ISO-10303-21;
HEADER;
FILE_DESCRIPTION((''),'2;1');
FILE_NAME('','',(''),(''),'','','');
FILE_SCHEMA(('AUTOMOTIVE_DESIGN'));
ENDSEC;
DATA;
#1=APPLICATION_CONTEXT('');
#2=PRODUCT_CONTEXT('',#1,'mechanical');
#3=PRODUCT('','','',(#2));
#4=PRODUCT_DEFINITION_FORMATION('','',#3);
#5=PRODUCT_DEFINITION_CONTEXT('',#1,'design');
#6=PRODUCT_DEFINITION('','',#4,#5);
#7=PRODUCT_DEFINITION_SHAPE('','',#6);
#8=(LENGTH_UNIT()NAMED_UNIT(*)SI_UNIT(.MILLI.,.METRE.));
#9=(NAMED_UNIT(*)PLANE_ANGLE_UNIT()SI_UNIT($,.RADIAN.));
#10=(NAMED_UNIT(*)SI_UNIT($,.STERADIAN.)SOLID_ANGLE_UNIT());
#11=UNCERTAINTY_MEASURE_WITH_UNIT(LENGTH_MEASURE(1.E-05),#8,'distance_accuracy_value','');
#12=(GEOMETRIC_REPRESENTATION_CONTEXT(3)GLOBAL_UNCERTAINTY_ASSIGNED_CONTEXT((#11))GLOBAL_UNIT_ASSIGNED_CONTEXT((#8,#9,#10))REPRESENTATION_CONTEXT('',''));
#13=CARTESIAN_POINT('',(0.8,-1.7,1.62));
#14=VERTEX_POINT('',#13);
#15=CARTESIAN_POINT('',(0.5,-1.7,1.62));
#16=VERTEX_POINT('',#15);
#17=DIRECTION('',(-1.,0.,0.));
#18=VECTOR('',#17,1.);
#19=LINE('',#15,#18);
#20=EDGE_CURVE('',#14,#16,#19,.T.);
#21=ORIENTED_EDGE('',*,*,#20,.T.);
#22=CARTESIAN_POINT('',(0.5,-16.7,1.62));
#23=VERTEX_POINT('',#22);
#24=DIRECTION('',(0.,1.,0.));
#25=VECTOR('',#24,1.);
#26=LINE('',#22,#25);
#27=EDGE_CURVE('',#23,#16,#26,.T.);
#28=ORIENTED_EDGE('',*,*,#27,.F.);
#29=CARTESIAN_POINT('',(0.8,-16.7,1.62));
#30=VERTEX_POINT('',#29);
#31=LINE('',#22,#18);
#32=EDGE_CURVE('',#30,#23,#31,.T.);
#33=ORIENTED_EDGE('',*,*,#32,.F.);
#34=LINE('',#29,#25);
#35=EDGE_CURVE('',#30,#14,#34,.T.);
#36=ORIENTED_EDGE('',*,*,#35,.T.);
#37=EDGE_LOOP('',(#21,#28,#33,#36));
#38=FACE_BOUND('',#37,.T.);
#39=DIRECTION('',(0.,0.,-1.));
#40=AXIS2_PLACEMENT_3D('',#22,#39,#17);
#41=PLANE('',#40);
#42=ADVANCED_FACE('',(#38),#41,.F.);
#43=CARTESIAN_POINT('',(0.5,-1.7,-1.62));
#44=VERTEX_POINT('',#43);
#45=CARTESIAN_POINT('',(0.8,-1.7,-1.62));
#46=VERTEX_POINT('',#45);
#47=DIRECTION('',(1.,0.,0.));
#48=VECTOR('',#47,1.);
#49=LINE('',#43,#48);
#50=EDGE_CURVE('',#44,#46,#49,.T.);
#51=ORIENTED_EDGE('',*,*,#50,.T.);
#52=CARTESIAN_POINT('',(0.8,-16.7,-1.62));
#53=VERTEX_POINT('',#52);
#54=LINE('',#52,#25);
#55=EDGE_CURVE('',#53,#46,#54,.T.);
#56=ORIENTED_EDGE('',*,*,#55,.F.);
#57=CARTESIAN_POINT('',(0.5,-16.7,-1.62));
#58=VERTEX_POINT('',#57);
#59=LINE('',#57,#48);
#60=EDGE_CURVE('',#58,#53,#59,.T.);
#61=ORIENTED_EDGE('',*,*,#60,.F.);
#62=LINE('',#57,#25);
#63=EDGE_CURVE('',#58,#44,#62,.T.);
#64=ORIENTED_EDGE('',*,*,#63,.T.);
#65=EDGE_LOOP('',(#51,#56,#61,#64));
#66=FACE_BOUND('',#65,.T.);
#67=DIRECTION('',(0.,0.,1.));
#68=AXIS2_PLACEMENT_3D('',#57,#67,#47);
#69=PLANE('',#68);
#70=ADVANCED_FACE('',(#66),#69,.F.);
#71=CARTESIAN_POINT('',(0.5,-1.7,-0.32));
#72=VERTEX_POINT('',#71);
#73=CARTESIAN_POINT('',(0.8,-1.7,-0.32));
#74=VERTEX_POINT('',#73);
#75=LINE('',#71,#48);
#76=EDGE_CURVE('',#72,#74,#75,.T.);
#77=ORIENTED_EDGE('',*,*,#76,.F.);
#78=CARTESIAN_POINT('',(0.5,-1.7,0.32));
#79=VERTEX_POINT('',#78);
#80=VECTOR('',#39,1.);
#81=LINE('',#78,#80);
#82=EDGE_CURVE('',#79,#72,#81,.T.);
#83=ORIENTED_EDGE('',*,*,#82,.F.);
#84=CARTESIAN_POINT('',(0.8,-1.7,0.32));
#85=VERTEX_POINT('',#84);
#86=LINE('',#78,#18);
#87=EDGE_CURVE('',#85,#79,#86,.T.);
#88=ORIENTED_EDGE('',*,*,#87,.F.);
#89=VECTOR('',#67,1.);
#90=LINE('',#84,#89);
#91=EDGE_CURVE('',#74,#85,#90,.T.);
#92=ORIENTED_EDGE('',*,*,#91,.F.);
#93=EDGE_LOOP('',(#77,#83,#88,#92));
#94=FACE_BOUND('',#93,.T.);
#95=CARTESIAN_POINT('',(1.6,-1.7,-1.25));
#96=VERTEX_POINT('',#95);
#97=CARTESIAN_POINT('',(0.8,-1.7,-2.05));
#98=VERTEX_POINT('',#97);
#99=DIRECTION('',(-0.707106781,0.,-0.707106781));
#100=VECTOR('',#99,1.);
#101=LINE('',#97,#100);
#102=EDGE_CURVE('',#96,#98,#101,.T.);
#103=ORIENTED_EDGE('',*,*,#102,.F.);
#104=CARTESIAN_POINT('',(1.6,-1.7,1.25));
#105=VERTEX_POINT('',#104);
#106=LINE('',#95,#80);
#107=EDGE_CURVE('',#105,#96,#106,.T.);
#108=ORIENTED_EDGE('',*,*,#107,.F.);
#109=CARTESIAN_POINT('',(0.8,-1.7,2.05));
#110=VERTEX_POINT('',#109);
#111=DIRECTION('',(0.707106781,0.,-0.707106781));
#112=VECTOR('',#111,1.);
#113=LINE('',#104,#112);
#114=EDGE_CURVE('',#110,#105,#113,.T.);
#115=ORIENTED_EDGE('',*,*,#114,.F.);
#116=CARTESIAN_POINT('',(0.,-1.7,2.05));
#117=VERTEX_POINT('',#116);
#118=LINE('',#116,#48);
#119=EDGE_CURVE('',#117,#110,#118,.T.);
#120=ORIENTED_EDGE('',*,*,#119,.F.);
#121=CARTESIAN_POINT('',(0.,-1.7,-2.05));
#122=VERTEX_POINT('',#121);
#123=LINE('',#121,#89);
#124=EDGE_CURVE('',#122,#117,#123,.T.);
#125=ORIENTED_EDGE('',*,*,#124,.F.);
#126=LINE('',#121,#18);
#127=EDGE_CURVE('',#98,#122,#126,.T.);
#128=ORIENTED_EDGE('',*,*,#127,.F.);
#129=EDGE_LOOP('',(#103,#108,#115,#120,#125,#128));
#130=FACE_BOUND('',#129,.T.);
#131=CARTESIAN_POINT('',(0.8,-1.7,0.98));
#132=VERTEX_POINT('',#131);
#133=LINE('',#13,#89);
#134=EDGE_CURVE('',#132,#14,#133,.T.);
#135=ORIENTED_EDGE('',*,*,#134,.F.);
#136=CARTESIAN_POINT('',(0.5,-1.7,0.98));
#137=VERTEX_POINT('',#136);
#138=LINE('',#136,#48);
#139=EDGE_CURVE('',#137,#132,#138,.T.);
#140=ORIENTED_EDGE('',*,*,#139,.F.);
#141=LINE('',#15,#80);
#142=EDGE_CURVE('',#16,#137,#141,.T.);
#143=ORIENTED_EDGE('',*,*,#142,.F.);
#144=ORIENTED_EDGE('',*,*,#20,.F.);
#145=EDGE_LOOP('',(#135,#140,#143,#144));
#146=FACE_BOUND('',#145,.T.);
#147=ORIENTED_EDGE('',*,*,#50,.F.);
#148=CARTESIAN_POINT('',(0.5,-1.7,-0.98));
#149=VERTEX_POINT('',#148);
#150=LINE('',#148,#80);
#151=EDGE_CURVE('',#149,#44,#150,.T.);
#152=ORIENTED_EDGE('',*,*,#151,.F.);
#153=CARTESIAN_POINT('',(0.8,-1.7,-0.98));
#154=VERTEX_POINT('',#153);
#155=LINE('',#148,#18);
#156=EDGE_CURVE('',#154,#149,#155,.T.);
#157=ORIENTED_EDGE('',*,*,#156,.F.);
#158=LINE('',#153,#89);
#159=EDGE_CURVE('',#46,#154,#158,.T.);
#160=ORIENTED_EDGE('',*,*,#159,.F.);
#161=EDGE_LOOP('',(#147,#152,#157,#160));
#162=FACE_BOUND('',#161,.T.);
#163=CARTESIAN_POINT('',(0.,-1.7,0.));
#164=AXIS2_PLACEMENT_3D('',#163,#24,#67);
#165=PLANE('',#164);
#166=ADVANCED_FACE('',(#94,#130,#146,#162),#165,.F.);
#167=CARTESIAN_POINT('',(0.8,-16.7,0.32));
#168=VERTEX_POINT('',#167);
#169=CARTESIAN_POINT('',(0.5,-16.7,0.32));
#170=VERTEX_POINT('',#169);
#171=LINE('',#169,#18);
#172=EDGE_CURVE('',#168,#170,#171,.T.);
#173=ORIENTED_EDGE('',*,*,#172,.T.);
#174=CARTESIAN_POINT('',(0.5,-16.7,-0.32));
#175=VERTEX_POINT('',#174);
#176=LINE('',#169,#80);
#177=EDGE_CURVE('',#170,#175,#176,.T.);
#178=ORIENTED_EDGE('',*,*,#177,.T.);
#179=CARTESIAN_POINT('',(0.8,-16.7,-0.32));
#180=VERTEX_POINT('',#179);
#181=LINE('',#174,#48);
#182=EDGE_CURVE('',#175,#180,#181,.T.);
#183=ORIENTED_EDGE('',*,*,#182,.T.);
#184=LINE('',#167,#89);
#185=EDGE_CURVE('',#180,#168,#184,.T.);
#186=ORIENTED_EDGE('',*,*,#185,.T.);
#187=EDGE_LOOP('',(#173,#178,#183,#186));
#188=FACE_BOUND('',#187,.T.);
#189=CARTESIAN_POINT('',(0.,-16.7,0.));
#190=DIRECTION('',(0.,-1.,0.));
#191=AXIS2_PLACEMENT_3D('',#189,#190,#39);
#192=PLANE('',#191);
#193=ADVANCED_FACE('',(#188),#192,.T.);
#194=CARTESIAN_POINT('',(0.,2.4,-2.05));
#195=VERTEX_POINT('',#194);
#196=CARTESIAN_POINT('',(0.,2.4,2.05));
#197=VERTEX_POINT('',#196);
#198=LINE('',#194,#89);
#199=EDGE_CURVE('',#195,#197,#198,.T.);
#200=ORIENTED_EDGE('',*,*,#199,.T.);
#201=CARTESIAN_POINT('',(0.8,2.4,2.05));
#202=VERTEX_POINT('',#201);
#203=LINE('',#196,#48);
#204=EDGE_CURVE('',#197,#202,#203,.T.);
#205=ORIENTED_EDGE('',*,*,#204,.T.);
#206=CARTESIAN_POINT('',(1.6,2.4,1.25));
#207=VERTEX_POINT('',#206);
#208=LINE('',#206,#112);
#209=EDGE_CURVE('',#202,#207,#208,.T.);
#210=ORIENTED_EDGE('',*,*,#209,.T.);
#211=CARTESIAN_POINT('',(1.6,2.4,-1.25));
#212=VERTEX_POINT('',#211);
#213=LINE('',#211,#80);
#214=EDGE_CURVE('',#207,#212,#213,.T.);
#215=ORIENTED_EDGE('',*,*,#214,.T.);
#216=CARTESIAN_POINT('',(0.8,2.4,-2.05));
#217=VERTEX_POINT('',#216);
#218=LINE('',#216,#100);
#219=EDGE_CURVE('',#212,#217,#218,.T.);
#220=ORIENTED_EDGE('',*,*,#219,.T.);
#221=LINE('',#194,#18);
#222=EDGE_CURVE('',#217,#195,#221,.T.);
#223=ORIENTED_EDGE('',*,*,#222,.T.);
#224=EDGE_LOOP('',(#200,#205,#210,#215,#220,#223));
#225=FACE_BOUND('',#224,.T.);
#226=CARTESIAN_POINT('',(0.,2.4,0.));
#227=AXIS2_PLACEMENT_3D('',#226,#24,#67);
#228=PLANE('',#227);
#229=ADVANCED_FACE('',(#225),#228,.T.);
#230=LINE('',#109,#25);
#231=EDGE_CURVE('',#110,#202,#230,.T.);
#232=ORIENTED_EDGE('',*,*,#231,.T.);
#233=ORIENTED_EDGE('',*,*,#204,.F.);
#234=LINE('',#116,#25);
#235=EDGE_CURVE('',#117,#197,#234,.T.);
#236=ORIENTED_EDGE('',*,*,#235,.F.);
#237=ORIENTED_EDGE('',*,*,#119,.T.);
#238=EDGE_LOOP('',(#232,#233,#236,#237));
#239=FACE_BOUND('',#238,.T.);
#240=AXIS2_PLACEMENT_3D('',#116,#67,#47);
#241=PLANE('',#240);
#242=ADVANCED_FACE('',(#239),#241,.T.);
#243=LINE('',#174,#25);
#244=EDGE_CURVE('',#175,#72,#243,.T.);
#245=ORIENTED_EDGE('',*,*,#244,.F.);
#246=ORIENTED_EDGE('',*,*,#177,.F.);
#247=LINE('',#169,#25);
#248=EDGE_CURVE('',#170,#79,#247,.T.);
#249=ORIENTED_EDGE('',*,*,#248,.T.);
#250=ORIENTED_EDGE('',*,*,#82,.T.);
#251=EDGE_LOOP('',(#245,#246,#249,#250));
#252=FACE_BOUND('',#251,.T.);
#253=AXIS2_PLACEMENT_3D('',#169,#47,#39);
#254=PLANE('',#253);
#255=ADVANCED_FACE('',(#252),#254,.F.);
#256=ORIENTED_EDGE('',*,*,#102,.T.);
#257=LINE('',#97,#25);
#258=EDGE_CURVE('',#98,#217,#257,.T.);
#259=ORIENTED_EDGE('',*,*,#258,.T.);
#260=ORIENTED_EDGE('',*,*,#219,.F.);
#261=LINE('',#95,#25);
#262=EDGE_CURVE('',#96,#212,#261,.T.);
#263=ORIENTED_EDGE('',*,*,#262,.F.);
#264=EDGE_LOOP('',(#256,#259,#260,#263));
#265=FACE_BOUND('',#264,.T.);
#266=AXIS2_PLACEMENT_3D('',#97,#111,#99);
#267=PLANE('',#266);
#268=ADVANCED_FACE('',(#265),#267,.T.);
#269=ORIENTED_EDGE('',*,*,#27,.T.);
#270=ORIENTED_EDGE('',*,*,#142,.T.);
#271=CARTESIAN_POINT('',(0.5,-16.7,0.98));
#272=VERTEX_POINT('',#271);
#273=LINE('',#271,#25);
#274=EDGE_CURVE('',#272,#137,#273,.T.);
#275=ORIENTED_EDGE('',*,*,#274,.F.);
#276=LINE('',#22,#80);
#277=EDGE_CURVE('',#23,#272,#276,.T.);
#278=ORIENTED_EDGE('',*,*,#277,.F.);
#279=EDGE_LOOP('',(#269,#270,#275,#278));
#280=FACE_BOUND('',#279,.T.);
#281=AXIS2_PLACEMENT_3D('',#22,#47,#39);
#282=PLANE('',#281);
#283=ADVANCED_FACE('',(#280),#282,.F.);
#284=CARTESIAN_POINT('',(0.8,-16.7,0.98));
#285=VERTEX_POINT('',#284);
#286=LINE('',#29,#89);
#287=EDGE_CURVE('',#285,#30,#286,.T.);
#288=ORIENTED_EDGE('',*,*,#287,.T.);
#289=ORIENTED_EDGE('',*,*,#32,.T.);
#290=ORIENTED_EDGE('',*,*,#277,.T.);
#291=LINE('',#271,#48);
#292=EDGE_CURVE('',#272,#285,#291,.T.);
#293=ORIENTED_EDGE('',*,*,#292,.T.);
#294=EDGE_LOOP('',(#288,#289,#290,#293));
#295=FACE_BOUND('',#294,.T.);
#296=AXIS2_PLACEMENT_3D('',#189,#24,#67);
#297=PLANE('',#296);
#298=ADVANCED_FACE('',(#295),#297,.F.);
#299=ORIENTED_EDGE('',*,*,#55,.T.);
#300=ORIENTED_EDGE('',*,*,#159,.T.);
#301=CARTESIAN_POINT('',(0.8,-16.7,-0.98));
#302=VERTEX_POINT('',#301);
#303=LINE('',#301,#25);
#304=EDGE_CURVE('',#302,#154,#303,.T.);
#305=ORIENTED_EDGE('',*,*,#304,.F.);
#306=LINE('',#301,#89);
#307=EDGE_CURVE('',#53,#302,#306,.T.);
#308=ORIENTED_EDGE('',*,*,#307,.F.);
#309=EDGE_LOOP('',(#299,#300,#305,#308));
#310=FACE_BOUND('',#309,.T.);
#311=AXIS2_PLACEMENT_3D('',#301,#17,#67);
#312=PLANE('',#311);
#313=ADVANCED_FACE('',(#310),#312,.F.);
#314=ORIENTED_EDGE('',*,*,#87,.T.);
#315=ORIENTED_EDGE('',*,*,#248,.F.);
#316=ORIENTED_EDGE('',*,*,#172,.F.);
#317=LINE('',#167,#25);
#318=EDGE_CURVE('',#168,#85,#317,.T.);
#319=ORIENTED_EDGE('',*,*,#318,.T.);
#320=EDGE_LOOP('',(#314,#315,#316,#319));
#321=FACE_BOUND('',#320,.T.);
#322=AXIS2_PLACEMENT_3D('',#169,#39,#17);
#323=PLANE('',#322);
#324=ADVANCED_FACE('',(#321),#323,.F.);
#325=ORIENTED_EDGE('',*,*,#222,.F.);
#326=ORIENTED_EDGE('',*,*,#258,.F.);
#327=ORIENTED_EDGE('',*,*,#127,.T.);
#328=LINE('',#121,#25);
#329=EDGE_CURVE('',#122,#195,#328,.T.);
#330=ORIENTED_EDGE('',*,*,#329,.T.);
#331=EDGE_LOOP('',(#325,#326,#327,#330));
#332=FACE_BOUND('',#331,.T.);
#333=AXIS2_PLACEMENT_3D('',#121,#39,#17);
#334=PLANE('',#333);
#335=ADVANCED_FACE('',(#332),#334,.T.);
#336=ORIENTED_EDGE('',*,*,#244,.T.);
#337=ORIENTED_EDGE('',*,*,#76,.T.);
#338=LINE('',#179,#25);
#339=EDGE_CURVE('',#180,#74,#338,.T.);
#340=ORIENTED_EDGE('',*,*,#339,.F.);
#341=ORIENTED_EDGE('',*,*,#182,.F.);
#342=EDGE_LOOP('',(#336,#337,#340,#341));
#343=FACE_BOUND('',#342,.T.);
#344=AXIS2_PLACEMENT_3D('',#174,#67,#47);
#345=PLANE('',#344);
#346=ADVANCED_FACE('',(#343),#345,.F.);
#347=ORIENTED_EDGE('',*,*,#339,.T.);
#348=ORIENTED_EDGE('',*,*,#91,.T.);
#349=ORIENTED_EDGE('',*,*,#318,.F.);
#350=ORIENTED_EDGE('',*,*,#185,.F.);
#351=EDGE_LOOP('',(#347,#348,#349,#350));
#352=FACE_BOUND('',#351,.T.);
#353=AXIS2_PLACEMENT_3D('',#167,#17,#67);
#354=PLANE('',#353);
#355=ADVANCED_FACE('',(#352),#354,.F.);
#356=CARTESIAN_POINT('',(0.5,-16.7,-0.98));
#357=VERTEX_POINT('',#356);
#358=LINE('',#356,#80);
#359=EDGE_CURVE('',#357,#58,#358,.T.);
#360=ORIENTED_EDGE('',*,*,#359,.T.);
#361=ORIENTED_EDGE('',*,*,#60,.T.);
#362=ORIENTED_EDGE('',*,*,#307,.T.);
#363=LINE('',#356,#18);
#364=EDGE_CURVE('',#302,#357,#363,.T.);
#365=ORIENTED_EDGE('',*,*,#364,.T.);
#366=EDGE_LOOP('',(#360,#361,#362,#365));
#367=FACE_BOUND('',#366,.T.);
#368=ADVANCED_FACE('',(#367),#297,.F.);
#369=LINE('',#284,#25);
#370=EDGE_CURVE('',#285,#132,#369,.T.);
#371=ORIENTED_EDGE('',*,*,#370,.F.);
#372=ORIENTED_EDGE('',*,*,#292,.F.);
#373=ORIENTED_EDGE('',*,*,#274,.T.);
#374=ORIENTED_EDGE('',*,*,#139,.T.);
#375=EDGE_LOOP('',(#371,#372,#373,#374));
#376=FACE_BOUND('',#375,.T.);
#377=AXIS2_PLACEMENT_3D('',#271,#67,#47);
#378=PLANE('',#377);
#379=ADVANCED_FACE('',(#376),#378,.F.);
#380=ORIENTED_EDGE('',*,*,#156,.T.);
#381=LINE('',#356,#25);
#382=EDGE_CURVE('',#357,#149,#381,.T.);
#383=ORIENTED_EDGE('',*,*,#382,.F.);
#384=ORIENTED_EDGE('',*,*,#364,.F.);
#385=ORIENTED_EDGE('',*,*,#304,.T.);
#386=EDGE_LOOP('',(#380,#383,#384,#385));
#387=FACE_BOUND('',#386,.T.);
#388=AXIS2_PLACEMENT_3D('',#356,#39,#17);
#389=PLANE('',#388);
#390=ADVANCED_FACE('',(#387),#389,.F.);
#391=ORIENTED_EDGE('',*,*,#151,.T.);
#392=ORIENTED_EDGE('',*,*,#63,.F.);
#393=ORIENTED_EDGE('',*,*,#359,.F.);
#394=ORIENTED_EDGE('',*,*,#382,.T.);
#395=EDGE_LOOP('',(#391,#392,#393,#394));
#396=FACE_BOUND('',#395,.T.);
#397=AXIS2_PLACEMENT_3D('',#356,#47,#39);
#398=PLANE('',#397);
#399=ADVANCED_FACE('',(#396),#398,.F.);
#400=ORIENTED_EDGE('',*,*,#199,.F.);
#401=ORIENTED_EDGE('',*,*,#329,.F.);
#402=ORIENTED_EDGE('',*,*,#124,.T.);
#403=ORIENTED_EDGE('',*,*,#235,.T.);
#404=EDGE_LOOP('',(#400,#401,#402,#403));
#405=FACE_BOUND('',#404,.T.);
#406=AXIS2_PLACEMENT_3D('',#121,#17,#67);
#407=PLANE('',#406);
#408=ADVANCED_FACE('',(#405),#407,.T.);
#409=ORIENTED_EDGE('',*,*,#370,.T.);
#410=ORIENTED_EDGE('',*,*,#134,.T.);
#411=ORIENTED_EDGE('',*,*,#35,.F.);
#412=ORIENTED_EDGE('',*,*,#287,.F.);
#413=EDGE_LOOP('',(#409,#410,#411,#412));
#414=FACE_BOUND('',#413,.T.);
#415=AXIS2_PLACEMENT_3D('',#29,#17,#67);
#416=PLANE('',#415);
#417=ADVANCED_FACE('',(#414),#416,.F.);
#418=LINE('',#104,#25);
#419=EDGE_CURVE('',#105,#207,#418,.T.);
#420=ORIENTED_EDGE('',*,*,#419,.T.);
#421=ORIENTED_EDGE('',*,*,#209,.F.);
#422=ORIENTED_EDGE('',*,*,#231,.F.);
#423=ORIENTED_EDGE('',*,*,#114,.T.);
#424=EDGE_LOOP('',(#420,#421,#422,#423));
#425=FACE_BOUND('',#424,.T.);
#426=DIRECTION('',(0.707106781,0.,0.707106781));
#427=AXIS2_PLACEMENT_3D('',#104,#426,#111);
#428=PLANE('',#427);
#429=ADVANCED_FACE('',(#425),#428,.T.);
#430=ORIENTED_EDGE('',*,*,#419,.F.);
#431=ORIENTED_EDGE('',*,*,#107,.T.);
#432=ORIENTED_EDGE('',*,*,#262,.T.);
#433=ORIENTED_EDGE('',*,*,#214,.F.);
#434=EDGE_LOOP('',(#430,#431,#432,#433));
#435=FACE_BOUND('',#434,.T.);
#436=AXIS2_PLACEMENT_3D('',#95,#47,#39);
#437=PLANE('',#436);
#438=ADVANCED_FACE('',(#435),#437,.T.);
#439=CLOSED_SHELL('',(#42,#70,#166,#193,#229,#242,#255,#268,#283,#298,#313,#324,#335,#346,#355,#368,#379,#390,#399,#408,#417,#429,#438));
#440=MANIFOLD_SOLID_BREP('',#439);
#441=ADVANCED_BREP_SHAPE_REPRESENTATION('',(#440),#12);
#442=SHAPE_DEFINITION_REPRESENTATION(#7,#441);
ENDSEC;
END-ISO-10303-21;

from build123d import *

# Parameters (mm, degrees)
BOSS_EXTRUDE3_DEPTH      = 2.4
BOSS_EXTRUDE3_DEPTH_BACK = 1.7
SKETCH5_W                = 0.3
SKETCH5_H                = 0.64
BOSS_EXTRUDE4_DEPTH      = 15


with BuildPart() as part:
    # Sketch4 → Boss-Extrude3 (new, two sides: drawn at the far end of the back side and taken through both)
    with BuildSketch(Plane(origin=(0, 0, 0), x_dir=(1, 0, 0), z_dir=(0, 1, 0)).offset(-BOSS_EXTRUDE3_DEPTH_BACK)):
        Polygon((0.8, 2.05), (1.6, 1.25), (1.6, -1.25), (0.8, -2.05), (0, -2.05), (0, 2.05), align=None)
    extrude(amount=BOSS_EXTRUDE3_DEPTH + BOSS_EXTRUDE3_DEPTH_BACK)

    # Sketch5 → Boss-Extrude4 (add)
    with BuildSketch(Plane.XZ.offset(1.7)):
        with Locations((0.65, 1.3)):
            Rectangle(SKETCH5_W, SKETCH5_H)
        with Locations((0.65, 0)):
            Rectangle(SKETCH5_W, SKETCH5_H)
        with Locations((0.65, -1.3)):
            Rectangle(SKETCH5_W, SKETCH5_H)
    extrude(amount=BOSS_EXTRUDE4_DEPTH)


solid = part.part
